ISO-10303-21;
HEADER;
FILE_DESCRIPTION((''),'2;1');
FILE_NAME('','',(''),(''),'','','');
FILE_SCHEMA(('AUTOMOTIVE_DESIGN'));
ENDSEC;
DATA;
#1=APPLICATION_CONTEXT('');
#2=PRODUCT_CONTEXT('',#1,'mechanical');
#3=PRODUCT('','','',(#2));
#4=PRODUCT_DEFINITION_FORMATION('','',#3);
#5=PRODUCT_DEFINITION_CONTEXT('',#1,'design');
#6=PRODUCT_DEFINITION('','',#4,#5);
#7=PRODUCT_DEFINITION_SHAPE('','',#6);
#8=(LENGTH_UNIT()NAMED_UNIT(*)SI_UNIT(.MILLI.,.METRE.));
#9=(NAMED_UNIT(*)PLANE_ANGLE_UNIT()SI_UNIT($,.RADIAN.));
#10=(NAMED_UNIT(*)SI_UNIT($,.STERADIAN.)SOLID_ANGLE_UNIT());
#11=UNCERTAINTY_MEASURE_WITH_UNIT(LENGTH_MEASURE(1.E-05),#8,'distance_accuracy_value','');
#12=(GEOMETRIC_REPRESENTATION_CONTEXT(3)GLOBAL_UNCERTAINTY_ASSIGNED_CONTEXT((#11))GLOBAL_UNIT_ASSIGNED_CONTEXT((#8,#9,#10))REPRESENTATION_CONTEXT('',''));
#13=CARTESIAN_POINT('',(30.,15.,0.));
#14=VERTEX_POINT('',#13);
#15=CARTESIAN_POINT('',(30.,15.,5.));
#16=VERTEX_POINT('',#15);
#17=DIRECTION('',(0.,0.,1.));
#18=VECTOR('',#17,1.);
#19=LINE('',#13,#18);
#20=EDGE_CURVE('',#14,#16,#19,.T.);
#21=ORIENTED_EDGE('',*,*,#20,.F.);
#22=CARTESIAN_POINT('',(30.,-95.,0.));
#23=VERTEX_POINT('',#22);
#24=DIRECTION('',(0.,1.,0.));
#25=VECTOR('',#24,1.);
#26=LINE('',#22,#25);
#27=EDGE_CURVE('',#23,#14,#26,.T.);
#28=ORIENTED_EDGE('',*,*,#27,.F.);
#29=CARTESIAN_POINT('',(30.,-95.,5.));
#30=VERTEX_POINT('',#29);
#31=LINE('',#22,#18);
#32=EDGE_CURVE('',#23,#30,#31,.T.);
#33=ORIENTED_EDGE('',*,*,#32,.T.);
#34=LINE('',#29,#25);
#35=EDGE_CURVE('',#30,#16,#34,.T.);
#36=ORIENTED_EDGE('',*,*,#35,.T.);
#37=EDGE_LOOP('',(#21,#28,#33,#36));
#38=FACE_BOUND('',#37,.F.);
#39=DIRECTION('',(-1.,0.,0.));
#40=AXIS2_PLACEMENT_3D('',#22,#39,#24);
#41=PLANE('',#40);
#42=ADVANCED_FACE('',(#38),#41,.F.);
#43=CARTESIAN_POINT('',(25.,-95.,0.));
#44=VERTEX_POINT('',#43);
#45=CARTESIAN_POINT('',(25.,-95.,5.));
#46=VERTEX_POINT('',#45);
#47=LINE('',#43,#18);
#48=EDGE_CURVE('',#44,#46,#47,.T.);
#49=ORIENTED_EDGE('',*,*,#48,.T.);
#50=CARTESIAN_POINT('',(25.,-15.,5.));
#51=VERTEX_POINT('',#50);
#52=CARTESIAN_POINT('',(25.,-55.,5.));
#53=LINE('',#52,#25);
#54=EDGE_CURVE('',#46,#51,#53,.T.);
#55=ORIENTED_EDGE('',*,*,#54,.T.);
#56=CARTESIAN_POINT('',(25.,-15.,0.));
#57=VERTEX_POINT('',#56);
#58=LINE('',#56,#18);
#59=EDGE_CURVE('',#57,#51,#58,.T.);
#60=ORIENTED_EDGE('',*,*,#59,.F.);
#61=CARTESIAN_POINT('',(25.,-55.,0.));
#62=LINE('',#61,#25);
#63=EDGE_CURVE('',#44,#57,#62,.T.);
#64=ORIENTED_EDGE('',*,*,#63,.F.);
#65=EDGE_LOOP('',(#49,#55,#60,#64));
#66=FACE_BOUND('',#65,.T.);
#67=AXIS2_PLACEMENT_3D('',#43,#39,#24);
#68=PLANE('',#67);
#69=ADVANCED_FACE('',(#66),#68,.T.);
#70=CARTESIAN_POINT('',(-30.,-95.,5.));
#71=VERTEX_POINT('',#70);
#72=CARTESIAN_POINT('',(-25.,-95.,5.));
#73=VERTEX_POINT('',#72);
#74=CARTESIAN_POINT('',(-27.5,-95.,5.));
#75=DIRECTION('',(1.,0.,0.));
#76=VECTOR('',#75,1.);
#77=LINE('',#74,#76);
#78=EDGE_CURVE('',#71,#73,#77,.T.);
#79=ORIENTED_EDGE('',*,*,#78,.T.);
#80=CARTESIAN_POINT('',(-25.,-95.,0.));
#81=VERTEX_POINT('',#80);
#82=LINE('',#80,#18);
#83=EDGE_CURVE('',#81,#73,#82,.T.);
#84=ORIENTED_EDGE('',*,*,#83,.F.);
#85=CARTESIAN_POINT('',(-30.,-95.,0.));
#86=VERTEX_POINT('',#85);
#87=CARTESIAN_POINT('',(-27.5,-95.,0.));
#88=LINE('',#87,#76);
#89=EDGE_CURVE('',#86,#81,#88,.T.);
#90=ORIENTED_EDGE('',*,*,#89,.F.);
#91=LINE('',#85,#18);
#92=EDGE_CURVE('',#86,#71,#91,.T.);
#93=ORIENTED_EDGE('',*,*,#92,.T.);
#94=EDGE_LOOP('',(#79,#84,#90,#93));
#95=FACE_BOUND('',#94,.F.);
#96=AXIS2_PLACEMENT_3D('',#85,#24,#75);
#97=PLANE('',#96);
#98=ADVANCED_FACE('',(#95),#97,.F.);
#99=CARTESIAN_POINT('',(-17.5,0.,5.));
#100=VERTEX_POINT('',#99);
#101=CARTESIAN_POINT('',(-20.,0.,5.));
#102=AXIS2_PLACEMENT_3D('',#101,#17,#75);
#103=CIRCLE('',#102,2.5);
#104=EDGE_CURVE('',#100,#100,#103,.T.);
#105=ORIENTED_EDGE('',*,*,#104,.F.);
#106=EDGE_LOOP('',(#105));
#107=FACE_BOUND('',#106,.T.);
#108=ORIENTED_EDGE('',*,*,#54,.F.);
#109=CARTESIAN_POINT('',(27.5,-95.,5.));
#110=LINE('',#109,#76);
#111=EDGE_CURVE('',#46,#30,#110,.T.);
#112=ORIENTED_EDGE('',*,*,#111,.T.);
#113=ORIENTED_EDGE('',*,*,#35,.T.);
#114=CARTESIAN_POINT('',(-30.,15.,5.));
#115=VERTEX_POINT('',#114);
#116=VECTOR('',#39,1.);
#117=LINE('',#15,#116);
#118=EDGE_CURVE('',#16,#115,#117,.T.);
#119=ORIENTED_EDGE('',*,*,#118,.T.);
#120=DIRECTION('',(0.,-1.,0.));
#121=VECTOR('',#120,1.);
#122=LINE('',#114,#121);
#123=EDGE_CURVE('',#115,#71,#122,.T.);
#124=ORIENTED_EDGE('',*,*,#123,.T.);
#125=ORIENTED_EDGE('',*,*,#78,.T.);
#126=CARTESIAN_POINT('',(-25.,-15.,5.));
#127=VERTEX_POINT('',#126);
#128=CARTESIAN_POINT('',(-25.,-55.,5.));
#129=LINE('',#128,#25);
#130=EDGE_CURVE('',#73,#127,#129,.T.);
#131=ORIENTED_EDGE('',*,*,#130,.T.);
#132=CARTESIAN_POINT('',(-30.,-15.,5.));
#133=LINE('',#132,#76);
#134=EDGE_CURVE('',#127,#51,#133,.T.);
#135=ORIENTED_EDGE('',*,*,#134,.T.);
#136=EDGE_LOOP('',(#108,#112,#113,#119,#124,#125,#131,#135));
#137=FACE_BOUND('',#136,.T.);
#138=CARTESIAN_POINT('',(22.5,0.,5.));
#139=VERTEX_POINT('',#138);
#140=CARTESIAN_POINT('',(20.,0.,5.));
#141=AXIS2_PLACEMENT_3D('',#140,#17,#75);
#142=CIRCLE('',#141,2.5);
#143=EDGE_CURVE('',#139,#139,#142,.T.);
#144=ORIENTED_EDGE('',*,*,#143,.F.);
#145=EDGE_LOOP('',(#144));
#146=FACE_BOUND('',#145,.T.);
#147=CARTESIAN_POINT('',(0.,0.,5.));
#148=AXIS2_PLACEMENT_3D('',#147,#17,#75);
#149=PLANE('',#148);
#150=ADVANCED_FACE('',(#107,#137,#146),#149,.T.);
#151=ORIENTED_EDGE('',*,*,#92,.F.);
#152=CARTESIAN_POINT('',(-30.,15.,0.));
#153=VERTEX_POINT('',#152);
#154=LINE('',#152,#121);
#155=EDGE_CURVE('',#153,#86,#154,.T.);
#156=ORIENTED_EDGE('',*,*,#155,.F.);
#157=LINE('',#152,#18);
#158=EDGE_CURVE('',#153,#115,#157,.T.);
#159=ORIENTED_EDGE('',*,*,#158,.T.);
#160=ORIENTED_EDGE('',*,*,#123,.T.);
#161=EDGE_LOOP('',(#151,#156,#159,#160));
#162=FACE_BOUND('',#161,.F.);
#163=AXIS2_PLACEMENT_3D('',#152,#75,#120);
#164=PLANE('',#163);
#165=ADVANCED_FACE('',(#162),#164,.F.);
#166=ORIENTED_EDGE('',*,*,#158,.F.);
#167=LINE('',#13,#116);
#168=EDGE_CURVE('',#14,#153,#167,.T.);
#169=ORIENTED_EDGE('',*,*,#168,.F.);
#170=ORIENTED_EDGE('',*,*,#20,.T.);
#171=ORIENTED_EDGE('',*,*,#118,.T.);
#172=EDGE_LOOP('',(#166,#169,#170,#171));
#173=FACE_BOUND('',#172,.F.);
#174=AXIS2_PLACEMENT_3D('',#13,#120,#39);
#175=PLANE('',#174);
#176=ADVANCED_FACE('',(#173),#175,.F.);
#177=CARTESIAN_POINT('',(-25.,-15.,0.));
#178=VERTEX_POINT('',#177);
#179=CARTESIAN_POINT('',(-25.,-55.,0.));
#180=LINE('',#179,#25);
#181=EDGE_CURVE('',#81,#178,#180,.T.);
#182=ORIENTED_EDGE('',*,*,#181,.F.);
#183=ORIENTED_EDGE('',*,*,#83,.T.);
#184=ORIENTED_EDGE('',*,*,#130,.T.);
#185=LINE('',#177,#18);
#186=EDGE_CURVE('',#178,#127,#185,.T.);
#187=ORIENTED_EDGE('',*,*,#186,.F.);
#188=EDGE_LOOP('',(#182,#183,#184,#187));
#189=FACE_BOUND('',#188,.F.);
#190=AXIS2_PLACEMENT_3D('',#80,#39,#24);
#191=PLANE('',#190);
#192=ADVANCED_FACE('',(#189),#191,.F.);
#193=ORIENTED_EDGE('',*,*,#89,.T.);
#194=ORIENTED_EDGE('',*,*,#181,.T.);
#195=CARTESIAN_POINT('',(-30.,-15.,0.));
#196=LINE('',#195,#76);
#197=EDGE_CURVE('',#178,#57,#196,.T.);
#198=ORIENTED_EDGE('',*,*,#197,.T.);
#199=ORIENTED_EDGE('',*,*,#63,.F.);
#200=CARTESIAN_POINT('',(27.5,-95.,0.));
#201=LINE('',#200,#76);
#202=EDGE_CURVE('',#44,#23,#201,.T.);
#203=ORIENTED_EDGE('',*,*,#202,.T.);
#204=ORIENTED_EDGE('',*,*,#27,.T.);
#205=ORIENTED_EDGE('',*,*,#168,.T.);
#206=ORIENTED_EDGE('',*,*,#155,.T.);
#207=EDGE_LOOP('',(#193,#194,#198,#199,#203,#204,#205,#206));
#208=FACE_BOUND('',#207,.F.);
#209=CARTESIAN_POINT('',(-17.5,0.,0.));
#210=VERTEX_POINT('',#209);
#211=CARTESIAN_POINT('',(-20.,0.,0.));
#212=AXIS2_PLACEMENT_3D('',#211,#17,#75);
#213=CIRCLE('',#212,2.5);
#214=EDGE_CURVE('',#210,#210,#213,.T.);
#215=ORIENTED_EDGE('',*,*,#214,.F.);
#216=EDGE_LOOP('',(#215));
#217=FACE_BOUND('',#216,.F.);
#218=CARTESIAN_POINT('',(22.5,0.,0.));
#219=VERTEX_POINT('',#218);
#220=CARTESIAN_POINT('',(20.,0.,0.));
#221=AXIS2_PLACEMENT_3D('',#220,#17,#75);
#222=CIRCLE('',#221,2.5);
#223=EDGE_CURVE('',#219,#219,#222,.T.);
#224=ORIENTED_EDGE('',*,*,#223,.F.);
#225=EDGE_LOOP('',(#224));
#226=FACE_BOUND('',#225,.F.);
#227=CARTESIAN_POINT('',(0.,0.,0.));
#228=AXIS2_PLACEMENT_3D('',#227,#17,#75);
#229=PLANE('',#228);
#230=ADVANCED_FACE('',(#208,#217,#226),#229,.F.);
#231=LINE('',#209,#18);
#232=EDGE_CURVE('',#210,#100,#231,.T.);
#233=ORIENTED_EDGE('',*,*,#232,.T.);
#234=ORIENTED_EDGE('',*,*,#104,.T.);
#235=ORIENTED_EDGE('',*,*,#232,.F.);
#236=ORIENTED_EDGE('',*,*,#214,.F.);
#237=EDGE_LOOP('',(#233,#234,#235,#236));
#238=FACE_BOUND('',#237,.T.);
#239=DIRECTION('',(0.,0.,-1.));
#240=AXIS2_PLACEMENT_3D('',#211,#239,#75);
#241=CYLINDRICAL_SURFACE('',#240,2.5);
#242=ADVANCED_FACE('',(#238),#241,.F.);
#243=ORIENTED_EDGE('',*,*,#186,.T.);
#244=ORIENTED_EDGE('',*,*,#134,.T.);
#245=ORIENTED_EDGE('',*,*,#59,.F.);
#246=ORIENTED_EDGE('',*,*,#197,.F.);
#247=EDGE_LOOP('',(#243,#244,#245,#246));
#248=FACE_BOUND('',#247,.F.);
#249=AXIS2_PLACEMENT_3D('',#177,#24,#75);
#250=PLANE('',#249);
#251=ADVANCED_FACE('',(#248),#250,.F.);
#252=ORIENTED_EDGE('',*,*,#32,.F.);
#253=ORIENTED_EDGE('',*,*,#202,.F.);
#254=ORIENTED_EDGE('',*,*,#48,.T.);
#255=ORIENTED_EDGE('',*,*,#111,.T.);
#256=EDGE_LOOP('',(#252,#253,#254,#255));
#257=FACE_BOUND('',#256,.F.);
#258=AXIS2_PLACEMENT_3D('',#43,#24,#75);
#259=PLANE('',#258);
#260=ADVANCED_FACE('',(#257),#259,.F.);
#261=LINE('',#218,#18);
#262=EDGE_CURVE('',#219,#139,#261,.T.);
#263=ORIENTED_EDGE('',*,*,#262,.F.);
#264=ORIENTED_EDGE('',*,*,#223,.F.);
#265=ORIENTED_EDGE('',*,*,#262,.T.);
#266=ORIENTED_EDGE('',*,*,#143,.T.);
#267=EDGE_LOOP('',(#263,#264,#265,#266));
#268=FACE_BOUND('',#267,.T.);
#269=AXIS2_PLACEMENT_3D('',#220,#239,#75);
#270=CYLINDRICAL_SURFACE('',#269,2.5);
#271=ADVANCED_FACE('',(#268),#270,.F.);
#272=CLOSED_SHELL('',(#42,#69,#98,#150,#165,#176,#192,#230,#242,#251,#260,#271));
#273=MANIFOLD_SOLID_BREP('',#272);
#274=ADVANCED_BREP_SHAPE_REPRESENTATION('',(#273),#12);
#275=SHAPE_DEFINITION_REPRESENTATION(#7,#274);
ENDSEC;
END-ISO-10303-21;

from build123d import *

# Parameters (mm, degrees)
F0_R     = 2.5
F0_W     = 5
F0_H     = 80
F1_DEPTH = 5


with BuildPart() as f1:
    # F0 (on Top) → F1 (new body)
    with BuildSketch(Plane.XY):
        Polygon((30, -15), (30, 15), (-30, 15), (-30, -15), (-25, -15), (25, -15), align=None)
        with Locations((-20, 0)):
            Circle(F0_R, mode=Mode.SUBTRACT)
        with Locations((20, 0)):
            Circle(F0_R, mode=Mode.SUBTRACT)
        with Locations((27.5, -55)):
            Rectangle(F0_W, F0_H)
        with Locations((-27.5, -55)):
            Rectangle(F0_W, F0_H)
    extrude(amount=F1_DEPTH)


solid = f1.part
